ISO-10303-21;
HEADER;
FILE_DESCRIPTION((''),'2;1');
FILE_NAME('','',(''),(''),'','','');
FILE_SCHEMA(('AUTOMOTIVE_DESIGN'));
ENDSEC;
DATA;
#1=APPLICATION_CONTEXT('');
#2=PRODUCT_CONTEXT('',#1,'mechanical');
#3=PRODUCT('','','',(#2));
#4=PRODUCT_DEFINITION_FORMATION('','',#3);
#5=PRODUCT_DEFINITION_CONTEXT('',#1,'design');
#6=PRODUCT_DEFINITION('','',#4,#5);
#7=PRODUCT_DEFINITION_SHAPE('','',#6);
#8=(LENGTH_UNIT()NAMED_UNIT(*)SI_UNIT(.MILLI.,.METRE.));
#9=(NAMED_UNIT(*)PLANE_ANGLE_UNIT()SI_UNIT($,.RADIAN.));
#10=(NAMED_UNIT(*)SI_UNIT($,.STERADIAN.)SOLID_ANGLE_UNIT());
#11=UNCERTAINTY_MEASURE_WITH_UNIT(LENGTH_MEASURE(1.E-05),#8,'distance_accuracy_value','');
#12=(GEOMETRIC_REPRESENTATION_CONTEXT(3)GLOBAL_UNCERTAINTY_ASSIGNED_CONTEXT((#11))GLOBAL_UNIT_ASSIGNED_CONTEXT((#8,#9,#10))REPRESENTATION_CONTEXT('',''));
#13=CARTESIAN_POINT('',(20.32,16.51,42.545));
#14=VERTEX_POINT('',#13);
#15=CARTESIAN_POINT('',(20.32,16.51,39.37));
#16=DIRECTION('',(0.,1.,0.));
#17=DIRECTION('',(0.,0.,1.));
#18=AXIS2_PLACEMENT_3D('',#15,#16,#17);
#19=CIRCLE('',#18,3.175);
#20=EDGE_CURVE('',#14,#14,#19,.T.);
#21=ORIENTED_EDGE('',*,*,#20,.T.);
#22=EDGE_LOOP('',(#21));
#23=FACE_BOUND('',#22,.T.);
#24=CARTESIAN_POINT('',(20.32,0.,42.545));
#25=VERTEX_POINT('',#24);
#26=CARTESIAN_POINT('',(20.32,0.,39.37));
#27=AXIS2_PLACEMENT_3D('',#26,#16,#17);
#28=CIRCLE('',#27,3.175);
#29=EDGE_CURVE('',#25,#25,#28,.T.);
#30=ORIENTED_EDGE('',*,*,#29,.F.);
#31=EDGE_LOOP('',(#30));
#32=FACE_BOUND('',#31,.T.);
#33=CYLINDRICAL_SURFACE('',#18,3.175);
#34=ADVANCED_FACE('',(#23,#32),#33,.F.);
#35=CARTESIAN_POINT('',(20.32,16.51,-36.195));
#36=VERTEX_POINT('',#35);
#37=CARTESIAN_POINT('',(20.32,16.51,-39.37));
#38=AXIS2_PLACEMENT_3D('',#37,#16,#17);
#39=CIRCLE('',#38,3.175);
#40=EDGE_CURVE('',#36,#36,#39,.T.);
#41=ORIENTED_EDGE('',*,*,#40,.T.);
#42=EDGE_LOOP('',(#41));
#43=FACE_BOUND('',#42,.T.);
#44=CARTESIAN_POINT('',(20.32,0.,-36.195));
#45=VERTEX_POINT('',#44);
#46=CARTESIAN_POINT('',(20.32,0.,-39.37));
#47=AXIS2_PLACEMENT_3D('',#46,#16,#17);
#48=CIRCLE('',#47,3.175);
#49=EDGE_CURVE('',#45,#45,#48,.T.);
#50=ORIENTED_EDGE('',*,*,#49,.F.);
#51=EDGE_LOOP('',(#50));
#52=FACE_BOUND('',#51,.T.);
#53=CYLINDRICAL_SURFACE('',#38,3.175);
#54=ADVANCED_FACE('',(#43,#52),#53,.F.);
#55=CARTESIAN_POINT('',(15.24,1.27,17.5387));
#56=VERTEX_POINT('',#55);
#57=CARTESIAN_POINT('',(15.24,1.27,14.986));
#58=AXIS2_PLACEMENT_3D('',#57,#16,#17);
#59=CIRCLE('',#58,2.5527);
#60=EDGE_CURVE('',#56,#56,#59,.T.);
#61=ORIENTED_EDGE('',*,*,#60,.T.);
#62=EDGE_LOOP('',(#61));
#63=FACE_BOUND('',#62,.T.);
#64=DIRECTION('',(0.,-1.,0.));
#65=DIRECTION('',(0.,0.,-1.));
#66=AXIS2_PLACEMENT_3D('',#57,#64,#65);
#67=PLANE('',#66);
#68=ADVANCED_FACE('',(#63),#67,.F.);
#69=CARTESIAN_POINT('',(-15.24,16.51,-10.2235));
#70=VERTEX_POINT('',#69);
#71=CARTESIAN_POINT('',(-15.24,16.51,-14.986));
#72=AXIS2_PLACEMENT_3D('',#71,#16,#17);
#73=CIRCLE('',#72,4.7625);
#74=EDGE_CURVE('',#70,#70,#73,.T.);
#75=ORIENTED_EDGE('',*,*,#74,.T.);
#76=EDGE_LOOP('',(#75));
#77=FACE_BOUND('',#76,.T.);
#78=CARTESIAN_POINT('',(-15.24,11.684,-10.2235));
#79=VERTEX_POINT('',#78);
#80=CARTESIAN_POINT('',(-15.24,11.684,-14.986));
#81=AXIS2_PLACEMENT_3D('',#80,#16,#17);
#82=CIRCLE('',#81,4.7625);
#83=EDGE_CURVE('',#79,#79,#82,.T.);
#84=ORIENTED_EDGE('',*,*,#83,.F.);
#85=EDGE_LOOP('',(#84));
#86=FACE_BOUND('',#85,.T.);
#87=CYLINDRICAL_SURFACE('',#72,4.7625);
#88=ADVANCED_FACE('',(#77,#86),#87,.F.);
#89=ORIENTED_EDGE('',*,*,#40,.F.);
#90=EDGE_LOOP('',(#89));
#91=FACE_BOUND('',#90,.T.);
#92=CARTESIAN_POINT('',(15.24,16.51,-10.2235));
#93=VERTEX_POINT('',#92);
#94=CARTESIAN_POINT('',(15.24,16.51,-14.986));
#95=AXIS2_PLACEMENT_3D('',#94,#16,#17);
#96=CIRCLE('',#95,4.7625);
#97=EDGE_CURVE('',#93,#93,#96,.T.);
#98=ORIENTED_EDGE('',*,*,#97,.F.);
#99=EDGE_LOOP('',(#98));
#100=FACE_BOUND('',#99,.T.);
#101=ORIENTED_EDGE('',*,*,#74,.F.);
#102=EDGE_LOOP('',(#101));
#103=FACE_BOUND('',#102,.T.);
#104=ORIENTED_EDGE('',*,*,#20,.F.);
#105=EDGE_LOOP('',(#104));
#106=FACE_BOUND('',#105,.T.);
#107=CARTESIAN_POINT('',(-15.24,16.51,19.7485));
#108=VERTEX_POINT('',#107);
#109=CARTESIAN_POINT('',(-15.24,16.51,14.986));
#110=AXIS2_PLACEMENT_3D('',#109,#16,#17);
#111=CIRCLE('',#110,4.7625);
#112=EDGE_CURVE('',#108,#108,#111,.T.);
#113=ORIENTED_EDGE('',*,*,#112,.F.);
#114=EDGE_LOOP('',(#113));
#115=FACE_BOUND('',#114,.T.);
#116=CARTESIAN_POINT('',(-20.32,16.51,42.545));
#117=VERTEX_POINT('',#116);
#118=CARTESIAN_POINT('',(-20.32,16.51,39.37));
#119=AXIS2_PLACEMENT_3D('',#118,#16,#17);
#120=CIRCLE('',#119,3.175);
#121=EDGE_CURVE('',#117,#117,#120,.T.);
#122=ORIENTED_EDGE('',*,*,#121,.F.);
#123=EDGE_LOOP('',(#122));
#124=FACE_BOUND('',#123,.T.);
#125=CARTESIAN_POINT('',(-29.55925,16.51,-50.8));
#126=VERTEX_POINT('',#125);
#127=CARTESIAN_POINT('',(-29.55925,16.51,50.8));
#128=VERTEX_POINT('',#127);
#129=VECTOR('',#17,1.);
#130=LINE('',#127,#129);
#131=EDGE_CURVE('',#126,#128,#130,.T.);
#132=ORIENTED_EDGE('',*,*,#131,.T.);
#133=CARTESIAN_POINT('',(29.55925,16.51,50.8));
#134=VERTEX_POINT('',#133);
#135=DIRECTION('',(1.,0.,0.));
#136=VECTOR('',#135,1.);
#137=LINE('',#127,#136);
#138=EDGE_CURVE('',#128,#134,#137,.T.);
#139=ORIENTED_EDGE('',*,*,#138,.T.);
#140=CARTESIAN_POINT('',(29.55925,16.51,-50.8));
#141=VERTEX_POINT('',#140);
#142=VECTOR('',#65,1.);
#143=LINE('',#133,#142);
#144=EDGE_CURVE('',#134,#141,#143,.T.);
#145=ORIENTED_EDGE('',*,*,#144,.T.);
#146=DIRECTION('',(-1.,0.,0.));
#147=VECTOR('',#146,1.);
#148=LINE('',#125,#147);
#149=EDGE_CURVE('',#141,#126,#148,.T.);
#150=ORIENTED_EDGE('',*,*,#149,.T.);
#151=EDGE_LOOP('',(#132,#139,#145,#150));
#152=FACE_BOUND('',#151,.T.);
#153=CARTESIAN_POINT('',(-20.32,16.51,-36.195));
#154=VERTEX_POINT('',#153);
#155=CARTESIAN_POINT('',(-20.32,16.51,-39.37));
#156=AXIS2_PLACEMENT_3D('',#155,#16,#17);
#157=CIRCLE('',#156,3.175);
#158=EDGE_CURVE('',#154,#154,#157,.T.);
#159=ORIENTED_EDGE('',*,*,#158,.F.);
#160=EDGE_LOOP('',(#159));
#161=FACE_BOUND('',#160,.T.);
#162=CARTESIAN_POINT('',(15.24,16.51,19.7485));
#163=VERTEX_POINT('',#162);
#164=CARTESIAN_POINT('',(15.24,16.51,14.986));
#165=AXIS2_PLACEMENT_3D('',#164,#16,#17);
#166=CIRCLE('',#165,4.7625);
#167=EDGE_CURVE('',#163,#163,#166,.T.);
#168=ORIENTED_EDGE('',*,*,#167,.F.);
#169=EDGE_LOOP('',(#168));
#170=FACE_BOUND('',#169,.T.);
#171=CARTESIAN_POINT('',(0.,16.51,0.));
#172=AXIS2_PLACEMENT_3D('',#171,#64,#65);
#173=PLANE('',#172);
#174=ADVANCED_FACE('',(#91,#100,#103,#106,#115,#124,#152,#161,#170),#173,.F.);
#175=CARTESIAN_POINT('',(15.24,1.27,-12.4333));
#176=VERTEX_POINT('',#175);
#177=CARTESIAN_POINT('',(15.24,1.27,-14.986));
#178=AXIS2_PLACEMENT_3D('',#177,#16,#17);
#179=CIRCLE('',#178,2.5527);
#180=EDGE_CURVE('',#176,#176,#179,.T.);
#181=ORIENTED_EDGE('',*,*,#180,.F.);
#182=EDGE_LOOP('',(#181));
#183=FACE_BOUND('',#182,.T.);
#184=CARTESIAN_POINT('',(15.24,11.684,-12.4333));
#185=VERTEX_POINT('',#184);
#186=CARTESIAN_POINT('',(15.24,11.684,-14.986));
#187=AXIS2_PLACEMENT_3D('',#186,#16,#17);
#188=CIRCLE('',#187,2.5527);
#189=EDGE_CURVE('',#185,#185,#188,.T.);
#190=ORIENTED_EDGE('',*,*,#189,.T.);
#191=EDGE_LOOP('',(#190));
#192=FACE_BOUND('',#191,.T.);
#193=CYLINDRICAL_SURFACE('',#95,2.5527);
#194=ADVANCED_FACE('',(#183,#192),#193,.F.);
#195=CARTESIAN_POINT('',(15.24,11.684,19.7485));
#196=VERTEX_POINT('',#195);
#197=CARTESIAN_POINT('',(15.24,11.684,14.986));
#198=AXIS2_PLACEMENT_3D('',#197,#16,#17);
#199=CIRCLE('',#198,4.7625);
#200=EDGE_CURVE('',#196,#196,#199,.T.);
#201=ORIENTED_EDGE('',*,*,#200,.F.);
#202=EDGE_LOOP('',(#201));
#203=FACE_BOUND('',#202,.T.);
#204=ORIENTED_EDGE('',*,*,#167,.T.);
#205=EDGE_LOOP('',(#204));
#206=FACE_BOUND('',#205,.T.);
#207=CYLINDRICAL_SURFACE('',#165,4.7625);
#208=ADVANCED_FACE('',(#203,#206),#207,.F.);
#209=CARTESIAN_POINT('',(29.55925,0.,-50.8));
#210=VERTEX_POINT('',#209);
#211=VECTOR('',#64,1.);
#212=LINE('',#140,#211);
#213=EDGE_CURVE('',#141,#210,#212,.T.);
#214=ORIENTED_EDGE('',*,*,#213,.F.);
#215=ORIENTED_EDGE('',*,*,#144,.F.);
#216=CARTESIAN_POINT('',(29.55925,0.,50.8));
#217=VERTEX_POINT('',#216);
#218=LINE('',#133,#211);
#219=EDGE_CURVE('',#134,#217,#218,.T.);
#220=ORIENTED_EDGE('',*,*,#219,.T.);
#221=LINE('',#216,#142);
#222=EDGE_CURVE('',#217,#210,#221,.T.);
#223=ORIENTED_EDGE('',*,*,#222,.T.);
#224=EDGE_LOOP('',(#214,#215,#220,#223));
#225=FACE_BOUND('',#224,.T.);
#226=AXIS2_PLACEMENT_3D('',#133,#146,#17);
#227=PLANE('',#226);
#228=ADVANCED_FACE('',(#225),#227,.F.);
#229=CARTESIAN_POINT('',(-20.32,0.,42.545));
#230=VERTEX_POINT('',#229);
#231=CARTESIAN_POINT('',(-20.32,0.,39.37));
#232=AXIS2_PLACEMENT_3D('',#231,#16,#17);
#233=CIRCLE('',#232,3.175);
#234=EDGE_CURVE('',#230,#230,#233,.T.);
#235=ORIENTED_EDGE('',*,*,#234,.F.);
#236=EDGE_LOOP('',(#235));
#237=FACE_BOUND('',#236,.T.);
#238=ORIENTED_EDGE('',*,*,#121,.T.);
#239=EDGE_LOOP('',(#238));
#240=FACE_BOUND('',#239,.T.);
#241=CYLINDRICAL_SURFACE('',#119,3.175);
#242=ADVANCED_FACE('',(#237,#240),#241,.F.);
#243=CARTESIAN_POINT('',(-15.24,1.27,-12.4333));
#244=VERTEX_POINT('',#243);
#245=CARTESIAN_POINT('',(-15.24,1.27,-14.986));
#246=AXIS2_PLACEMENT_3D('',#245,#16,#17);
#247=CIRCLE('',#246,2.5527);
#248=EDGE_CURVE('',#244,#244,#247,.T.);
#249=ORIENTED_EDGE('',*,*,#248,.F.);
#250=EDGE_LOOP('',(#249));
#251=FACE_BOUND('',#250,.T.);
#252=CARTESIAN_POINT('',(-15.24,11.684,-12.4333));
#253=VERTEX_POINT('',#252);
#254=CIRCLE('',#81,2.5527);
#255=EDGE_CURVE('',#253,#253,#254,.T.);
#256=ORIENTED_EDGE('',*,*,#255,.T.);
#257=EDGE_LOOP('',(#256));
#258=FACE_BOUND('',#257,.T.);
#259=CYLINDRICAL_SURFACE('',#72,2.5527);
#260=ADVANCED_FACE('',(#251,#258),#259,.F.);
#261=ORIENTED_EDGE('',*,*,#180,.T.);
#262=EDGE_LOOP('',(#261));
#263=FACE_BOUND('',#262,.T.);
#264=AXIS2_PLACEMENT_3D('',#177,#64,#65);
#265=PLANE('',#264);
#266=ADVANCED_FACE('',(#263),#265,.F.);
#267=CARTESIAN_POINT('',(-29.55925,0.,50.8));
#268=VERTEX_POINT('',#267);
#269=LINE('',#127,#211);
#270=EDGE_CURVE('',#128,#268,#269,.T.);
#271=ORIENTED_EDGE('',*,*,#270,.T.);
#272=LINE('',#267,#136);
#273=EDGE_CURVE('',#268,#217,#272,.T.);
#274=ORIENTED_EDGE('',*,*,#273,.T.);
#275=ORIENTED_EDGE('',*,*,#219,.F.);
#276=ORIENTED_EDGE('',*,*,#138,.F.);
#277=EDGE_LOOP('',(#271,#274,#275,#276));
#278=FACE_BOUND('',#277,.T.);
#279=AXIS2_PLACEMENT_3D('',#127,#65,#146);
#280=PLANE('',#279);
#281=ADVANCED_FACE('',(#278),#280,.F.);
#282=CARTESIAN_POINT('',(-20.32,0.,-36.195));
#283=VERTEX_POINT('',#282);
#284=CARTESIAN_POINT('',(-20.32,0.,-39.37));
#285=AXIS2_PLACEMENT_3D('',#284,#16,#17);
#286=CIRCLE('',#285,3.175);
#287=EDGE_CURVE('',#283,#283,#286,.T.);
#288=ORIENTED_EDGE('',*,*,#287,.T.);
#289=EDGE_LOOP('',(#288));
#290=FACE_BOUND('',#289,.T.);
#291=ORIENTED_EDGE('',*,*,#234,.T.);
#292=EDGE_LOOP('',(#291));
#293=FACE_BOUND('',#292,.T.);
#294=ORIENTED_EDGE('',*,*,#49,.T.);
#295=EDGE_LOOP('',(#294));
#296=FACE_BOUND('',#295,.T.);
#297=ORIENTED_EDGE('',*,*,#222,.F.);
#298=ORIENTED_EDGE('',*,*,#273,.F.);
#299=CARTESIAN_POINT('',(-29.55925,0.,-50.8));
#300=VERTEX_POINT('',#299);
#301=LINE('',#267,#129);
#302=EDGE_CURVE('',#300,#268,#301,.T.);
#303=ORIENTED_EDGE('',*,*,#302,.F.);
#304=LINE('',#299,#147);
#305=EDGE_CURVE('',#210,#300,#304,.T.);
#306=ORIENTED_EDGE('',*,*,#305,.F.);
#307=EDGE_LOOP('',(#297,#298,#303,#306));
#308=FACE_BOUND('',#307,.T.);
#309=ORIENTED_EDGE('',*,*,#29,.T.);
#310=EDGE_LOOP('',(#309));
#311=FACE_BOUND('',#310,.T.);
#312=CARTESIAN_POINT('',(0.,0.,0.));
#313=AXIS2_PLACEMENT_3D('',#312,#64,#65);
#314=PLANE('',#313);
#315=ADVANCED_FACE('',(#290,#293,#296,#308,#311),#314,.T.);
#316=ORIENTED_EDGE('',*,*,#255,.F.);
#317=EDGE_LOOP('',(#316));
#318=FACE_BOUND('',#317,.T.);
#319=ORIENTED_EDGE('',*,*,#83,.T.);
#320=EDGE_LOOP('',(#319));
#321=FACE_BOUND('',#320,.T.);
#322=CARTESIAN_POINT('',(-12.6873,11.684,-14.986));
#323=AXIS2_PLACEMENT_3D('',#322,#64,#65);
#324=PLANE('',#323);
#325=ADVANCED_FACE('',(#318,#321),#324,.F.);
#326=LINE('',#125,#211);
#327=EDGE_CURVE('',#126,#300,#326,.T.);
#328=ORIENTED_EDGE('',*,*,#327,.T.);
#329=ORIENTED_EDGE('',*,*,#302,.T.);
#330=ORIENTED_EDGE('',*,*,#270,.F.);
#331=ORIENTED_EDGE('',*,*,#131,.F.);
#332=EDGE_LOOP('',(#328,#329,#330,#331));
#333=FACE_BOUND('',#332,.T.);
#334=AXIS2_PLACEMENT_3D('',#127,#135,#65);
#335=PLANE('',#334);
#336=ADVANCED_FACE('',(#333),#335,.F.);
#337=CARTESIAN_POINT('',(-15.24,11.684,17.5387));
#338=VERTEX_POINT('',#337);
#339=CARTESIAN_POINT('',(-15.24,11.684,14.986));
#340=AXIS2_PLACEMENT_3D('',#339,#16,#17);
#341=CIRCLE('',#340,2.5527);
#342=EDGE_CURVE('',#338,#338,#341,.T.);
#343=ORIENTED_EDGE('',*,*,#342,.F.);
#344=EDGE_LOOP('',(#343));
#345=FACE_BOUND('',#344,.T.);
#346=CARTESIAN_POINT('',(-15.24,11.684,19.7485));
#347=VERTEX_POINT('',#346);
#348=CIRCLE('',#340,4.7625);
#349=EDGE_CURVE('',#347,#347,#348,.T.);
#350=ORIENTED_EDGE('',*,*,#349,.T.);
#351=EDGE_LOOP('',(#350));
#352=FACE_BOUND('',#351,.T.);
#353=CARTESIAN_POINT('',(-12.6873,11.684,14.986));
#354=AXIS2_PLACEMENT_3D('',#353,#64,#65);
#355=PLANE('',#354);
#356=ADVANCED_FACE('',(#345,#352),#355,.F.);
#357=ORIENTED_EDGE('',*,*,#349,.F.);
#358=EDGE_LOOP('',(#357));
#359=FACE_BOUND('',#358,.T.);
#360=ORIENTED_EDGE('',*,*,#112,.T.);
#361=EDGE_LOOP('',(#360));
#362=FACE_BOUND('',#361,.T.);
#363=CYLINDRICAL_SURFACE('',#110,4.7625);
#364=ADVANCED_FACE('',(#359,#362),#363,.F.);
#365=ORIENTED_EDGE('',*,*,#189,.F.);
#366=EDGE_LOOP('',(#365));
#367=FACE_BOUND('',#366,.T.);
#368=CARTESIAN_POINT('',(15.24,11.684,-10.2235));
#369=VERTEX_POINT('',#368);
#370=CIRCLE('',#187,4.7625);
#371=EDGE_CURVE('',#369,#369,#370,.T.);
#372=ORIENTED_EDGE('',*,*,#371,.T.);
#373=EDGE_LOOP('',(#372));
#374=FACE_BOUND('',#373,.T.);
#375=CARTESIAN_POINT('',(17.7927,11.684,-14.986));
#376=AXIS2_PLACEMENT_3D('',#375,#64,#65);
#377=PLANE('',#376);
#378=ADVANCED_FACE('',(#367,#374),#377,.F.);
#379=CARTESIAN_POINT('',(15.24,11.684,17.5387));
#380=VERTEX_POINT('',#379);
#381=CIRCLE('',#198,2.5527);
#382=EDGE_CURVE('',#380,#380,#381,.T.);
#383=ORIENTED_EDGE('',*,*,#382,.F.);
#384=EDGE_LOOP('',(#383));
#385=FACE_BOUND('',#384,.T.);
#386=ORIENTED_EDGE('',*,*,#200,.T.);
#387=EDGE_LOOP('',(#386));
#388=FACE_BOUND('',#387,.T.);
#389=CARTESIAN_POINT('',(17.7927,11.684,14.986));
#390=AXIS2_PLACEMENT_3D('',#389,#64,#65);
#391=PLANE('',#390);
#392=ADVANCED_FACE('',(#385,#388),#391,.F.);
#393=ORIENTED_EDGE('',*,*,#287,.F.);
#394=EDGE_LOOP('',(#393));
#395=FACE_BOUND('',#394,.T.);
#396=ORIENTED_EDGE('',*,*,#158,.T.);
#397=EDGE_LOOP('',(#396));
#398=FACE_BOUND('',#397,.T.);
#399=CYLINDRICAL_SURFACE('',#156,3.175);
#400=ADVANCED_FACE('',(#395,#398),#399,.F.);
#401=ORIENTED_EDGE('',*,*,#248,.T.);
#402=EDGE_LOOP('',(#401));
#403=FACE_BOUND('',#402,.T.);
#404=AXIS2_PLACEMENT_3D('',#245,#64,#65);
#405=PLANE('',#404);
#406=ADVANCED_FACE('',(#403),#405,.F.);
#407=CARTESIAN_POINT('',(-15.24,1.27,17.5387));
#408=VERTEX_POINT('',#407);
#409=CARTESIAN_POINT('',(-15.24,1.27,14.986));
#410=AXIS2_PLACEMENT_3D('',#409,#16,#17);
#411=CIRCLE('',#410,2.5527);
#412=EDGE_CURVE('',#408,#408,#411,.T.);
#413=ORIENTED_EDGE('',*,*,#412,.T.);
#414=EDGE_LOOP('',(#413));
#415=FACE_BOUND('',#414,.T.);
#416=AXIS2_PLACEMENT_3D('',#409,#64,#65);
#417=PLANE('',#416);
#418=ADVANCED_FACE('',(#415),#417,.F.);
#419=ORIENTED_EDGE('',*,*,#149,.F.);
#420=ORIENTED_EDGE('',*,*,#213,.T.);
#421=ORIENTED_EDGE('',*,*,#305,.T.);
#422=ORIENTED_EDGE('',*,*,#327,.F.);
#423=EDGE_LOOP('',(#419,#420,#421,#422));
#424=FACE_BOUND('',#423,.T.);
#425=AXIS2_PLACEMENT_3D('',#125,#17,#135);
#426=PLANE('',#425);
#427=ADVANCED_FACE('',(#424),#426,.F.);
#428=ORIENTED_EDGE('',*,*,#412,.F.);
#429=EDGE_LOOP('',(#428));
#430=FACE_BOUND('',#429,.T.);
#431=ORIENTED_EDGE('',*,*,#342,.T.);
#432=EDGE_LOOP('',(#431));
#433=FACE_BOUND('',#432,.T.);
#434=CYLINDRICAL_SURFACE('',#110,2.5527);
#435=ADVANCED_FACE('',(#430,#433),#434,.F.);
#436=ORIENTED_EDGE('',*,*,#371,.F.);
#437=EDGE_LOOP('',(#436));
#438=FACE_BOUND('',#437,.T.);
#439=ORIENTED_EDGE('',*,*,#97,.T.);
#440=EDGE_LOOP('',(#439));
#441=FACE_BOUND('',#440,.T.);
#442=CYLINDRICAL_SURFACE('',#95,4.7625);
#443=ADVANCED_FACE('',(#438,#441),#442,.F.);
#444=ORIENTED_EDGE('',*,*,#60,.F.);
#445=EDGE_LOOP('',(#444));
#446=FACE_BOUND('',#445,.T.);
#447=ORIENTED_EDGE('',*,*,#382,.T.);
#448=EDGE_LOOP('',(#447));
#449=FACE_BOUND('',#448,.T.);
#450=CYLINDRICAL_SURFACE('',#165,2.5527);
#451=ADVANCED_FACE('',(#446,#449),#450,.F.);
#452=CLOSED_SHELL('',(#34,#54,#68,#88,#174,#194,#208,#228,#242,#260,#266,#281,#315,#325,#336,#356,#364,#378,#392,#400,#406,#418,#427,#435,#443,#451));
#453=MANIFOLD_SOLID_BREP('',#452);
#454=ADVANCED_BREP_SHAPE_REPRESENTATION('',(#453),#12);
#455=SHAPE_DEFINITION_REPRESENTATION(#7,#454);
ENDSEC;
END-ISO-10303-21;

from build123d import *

# Parameters (mm, degrees)
SKETCH1_W                                       = 59.1185
SKETCH1_H                                       = 101.6
BOSS_EXTRUDE1_DEPTH                             = 16.51
CBORE_FOR_10_SOCKET_HEAD_CAP_SCREW1_D           = 5.1054
CBORE_FOR_10_SOCKET_HEAD_CAP_SCREW1_DEPTH       = 15.24
CBORE_FOR_10_SOCKET_HEAD_CAP_SCREW1_CBORE_D     = 9.525
CBORE_FOR_10_SOCKET_HEAD_CAP_SCREW1_CBORE_DEPTH = 4.826
F_1_4_0_25_DIAMETER_HOLE1_D                     = 6.35


with BuildPart() as part:
    # Sketch1 → Boss-Extrude1 (new body)
    with BuildSketch(Plane(origin=(0, 0, 0), x_dir=(1, 0, 0), z_dir=(0, 1, 0))):
        Rectangle(SKETCH1_W, SKETCH1_H)
    extrude(amount=BOSS_EXTRUDE1_DEPTH)

    # CBORE for #10 Socket Head Cap Screw1
    with Locations(Plane(origin=(-223.3968133, 16.51, 0), x_dir=(0, 0, 1), z_dir=(0, 1, 0))):
        with Locations((-14.986, 208.1568133), (14.986, 208.1568133), (14.986, 238.6368133), (-14.986, 238.6368133)):
            CounterBoreHole(CBORE_FOR_10_SOCKET_HEAD_CAP_SCREW1_D / 2, CBORE_FOR_10_SOCKET_HEAD_CAP_SCREW1_CBORE_D / 2, CBORE_FOR_10_SOCKET_HEAD_CAP_SCREW1_CBORE_DEPTH, depth=CBORE_FOR_10_SOCKET_HEAD_CAP_SCREW1_DEPTH)

    # 1/4 (0.25) Diameter Hole1 (through all)
    with Locations(Plane(origin=(0, 16.51, 0), x_dir=(1, 0, 0), z_dir=(0, 1, 0))):
        with Locations((20.32, -39.37), (-20.32, -39.37), (-20.32, 39.37), (20.32, 39.37)):
            Hole(F_1_4_0_25_DIAMETER_HOLE1_D / 2)


solid = part.part
